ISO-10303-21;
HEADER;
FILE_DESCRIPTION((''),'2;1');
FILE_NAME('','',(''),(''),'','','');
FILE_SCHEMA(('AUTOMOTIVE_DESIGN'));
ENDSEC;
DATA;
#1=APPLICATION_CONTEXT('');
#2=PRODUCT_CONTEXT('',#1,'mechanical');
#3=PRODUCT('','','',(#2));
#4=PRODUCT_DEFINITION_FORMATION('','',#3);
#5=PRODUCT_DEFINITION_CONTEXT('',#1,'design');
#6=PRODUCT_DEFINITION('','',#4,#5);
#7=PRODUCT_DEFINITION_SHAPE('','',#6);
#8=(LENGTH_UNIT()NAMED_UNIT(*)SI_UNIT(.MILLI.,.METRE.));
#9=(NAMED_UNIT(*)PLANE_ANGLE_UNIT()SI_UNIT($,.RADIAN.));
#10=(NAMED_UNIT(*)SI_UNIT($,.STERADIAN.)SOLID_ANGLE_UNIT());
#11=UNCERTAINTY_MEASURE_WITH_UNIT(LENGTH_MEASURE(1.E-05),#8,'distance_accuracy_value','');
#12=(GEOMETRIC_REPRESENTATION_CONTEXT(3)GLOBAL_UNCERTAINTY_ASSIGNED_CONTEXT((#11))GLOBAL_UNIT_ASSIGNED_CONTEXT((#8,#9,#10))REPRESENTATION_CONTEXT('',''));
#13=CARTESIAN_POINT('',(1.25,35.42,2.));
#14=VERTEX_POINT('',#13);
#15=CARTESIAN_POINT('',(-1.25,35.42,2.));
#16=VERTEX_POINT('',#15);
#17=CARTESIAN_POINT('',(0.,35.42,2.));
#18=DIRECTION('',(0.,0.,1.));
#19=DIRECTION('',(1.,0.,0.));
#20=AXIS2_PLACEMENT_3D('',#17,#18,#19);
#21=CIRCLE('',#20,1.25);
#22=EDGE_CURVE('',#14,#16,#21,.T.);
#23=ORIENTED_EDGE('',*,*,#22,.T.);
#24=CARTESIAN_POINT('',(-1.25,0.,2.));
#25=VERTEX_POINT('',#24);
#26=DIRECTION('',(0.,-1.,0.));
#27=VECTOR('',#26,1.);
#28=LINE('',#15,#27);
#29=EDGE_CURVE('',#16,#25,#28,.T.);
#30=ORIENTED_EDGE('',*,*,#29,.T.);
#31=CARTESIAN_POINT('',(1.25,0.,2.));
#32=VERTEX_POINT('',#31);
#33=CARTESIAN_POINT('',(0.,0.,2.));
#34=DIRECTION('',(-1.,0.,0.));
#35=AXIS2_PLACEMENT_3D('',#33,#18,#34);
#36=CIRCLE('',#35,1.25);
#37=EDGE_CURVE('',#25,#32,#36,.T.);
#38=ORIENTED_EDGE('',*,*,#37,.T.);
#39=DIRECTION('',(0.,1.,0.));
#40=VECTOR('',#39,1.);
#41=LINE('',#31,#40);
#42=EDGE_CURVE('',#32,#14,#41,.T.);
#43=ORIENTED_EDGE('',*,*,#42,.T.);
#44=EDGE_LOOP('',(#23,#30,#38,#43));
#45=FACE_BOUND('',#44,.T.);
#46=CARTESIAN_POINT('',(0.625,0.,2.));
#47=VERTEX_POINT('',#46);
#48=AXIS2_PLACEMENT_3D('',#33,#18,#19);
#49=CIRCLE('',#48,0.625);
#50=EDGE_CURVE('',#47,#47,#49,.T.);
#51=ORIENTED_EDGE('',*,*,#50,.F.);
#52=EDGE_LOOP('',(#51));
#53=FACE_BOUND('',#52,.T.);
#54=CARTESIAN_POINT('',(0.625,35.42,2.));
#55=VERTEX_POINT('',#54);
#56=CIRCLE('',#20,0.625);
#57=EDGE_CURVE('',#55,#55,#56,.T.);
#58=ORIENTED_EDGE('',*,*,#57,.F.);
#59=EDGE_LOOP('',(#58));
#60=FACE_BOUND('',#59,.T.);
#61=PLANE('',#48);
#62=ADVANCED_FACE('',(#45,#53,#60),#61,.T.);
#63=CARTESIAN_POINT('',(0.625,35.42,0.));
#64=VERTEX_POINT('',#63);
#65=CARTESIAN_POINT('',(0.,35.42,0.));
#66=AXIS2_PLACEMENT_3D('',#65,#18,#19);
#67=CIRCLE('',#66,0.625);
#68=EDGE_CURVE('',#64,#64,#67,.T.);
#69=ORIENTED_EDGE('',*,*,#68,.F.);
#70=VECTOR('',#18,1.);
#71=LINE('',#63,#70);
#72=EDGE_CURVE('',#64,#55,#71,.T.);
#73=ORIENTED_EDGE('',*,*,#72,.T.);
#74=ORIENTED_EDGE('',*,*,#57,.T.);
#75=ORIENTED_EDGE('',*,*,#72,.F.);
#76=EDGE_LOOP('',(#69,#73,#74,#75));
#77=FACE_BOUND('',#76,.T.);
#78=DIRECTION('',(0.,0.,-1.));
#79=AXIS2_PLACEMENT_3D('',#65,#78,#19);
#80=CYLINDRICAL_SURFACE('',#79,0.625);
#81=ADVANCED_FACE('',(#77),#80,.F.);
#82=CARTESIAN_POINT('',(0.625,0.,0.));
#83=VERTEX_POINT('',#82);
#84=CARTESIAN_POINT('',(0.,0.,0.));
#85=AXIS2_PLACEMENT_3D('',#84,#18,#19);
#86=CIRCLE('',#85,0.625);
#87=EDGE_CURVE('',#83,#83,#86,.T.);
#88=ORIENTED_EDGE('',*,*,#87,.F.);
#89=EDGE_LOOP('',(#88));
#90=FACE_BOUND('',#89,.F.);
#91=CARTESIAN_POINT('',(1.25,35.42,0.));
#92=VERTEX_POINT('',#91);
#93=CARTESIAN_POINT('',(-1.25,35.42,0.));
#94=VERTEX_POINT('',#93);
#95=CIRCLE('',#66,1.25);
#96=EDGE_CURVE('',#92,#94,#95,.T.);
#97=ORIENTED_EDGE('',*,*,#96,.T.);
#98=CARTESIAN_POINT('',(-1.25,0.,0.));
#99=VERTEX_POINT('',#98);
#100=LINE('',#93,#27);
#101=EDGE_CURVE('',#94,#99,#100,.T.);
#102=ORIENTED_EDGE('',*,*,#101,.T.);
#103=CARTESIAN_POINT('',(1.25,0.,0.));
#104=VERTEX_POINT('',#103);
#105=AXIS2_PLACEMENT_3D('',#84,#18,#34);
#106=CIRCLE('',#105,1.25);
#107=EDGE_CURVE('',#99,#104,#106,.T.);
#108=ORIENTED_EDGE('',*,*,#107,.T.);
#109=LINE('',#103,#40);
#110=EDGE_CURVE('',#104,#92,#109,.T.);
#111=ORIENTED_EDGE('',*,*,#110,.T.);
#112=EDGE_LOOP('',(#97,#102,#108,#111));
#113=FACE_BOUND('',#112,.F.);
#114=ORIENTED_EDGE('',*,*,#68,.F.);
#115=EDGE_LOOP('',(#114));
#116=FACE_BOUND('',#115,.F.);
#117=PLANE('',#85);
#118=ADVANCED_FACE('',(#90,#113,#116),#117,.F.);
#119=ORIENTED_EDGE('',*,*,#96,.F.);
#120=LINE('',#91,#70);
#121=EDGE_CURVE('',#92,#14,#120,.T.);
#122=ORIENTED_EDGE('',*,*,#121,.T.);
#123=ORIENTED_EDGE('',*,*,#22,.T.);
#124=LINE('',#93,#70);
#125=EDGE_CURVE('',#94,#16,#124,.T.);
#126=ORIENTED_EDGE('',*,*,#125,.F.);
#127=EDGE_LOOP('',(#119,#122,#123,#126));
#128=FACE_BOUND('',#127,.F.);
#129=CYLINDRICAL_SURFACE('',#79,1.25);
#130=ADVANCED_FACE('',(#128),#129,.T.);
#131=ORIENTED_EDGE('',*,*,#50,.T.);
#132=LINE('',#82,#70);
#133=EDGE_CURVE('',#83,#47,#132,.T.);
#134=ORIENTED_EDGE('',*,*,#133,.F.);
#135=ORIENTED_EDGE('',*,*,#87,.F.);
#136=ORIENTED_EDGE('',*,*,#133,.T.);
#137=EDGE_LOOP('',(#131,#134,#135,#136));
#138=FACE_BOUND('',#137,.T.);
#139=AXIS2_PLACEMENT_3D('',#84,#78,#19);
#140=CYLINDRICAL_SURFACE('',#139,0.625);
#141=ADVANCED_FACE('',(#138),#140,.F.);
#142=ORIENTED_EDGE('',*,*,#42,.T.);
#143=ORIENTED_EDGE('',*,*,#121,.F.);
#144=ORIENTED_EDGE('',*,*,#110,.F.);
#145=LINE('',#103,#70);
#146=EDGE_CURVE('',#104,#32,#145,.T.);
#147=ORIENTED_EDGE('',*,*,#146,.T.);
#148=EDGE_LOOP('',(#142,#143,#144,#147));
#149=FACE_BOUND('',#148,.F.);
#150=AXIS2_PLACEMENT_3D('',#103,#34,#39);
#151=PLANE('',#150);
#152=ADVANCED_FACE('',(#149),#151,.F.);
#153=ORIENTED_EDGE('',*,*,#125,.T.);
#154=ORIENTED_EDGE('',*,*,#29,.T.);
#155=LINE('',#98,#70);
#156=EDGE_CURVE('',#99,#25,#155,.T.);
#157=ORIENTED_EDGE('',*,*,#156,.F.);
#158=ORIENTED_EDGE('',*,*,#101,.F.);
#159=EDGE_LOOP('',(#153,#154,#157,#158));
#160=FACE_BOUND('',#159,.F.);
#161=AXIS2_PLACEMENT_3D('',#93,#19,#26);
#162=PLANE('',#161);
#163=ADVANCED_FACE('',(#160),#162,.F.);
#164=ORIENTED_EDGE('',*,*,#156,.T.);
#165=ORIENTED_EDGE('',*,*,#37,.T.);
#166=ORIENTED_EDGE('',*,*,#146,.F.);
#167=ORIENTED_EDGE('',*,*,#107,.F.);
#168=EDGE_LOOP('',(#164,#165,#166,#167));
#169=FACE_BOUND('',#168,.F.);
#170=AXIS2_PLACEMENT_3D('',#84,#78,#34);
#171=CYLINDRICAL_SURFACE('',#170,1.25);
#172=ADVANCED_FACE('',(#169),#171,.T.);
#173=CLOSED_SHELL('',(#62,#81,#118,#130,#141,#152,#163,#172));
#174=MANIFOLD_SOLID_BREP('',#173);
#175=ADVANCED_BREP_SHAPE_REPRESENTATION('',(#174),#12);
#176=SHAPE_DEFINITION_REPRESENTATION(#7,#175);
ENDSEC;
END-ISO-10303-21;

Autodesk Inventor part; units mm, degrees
ref_plane "YZ Plane" through (0, 0, 0) normal (1, 0, 0) x (0, 1, 0)
ref_plane "XZ Plane" through (0, 0, 0) normal (0, 1, 0) x (-1, 0, 0)
ref_plane "XY Plane" through (0, 0, 0) normal (0, 0, 1) x (1, 0, 0)
sketch "草圖1" plane through (0, 0, 0) normal (0, 0, 1) x (1, 0, 0)
  line L0 (0, 0) -> (0, 35.42) construction
  line L1 (1.25, 0) -> (1.25, 35.42)
  line L2 (-1.25, 35.42) -> (-1.25, 0)
  arc A0 (-1.25, 0) -> (1.25, 0) centre (0, 0) ccw
  arc A1 (1.25, 35.42) -> (-1.25, 35.42) centre (0, 35.42) ccw
  circle A2 centre (0, 0) radius 0.625
  circle A3 centre (0, 35.42) radius 0.625
  point P0 (0, 17.71)
  dimension "d0" = 35.42
  dimension "d1" = 2.5
  dimension "d2" = 1.25
  dimension "d3" = 1.25
extrude "擠出1" add sketch "草圖1" along normal blind 2
properties part number "5"
